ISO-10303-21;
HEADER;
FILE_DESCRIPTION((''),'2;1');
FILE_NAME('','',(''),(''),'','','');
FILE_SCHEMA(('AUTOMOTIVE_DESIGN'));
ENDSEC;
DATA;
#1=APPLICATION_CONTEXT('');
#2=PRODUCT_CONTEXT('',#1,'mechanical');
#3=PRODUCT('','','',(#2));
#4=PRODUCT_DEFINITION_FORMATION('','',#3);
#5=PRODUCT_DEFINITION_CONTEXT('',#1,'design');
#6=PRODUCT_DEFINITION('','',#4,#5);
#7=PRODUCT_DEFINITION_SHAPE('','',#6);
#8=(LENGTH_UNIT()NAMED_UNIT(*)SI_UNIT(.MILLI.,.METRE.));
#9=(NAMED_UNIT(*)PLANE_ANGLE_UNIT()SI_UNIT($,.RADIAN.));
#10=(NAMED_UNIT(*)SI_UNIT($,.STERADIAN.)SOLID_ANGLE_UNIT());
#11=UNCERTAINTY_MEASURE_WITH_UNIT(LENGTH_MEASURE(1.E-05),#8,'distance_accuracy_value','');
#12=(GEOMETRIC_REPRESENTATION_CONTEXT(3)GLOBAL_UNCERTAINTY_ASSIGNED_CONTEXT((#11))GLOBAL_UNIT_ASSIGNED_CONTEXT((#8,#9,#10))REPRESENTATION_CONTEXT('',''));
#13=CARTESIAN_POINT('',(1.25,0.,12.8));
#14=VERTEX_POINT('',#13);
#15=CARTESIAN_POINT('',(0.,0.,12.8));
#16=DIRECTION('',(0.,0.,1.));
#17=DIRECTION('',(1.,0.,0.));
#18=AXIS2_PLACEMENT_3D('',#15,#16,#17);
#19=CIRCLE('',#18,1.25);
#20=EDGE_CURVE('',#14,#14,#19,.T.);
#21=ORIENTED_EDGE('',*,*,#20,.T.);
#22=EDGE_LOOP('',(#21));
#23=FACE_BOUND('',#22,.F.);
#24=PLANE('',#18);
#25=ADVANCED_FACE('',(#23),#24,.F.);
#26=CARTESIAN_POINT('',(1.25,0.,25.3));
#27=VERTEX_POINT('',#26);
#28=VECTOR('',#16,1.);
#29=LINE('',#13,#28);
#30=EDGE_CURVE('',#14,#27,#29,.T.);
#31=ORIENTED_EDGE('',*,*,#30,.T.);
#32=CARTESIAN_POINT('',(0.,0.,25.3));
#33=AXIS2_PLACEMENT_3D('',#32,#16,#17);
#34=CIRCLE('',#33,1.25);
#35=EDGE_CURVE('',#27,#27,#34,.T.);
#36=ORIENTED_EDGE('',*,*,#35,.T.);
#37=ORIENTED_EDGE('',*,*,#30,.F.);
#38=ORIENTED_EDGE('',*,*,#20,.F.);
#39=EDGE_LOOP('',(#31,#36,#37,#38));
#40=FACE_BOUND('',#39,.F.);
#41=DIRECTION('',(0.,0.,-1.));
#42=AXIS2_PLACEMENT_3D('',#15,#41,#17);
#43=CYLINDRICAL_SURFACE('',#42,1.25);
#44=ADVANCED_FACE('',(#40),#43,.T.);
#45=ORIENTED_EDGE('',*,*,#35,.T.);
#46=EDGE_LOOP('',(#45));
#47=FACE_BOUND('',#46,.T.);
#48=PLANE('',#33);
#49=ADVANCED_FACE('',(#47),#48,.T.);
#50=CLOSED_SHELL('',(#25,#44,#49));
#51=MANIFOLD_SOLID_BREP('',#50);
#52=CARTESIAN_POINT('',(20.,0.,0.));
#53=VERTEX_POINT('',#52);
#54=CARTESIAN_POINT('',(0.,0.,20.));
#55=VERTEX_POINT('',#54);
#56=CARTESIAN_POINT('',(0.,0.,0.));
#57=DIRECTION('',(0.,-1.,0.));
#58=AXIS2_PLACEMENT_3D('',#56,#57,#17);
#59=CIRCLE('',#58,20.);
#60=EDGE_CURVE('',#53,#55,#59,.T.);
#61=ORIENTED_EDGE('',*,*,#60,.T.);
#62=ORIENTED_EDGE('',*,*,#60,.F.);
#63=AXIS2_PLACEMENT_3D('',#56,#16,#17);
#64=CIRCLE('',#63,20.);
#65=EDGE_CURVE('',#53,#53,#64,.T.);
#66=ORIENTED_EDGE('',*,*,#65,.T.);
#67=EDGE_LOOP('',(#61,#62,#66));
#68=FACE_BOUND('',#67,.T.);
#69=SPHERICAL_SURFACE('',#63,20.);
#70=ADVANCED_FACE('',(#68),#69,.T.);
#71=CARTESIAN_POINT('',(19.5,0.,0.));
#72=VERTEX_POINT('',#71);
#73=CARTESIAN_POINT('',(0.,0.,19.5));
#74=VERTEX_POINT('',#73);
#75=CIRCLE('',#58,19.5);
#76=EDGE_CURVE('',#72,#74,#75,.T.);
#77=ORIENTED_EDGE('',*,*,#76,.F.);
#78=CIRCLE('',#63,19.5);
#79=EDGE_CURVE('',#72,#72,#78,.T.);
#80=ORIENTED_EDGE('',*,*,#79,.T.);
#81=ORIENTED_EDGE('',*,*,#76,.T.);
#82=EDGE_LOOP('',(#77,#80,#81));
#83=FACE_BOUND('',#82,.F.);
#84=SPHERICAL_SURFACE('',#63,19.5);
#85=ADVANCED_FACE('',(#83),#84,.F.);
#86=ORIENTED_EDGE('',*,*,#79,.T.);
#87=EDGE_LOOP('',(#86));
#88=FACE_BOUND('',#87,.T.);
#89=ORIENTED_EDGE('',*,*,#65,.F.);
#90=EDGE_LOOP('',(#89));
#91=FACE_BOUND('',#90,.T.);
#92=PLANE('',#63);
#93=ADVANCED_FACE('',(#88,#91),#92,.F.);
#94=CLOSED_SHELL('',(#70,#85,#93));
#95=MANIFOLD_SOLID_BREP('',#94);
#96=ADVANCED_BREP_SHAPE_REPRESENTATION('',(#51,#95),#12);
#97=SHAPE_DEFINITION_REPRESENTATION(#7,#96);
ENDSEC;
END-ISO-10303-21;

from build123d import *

# Parameters (mm, degrees)
F2_T     = -0.5
F4_R     = 1.25
F5_DEPTH = 12.5


with BuildPart() as f1:
    # F0 (on Front) → F1 (revolve)
    with BuildSketch(Plane.XZ):
        with BuildLine():
            Line((0, 20), (0, 0))
            Line((0, 0), (20, 0))
            ThreePointArc((20, 0), (14.1421356237, 14.1421356237), (0, 20))
        make_face()
    revolve(axis=Axis((0, 0, 10), (0, 0, 1)))

    # F2
    f2_openings = [f1.faces().sort_by_distance(p)[0] for p in [
        (0, 0, 0),
    ]]
    offset(amount=F2_T, openings=f2_openings)


with BuildPart() as f5:
    # F4 (on offset) → F5 (new body)
    with BuildSketch(Plane.XY.offset(12.8)):
        Circle(F4_R)
    extrude(amount=F5_DEPTH)


solid = Compound([f1.part, f5.part])
